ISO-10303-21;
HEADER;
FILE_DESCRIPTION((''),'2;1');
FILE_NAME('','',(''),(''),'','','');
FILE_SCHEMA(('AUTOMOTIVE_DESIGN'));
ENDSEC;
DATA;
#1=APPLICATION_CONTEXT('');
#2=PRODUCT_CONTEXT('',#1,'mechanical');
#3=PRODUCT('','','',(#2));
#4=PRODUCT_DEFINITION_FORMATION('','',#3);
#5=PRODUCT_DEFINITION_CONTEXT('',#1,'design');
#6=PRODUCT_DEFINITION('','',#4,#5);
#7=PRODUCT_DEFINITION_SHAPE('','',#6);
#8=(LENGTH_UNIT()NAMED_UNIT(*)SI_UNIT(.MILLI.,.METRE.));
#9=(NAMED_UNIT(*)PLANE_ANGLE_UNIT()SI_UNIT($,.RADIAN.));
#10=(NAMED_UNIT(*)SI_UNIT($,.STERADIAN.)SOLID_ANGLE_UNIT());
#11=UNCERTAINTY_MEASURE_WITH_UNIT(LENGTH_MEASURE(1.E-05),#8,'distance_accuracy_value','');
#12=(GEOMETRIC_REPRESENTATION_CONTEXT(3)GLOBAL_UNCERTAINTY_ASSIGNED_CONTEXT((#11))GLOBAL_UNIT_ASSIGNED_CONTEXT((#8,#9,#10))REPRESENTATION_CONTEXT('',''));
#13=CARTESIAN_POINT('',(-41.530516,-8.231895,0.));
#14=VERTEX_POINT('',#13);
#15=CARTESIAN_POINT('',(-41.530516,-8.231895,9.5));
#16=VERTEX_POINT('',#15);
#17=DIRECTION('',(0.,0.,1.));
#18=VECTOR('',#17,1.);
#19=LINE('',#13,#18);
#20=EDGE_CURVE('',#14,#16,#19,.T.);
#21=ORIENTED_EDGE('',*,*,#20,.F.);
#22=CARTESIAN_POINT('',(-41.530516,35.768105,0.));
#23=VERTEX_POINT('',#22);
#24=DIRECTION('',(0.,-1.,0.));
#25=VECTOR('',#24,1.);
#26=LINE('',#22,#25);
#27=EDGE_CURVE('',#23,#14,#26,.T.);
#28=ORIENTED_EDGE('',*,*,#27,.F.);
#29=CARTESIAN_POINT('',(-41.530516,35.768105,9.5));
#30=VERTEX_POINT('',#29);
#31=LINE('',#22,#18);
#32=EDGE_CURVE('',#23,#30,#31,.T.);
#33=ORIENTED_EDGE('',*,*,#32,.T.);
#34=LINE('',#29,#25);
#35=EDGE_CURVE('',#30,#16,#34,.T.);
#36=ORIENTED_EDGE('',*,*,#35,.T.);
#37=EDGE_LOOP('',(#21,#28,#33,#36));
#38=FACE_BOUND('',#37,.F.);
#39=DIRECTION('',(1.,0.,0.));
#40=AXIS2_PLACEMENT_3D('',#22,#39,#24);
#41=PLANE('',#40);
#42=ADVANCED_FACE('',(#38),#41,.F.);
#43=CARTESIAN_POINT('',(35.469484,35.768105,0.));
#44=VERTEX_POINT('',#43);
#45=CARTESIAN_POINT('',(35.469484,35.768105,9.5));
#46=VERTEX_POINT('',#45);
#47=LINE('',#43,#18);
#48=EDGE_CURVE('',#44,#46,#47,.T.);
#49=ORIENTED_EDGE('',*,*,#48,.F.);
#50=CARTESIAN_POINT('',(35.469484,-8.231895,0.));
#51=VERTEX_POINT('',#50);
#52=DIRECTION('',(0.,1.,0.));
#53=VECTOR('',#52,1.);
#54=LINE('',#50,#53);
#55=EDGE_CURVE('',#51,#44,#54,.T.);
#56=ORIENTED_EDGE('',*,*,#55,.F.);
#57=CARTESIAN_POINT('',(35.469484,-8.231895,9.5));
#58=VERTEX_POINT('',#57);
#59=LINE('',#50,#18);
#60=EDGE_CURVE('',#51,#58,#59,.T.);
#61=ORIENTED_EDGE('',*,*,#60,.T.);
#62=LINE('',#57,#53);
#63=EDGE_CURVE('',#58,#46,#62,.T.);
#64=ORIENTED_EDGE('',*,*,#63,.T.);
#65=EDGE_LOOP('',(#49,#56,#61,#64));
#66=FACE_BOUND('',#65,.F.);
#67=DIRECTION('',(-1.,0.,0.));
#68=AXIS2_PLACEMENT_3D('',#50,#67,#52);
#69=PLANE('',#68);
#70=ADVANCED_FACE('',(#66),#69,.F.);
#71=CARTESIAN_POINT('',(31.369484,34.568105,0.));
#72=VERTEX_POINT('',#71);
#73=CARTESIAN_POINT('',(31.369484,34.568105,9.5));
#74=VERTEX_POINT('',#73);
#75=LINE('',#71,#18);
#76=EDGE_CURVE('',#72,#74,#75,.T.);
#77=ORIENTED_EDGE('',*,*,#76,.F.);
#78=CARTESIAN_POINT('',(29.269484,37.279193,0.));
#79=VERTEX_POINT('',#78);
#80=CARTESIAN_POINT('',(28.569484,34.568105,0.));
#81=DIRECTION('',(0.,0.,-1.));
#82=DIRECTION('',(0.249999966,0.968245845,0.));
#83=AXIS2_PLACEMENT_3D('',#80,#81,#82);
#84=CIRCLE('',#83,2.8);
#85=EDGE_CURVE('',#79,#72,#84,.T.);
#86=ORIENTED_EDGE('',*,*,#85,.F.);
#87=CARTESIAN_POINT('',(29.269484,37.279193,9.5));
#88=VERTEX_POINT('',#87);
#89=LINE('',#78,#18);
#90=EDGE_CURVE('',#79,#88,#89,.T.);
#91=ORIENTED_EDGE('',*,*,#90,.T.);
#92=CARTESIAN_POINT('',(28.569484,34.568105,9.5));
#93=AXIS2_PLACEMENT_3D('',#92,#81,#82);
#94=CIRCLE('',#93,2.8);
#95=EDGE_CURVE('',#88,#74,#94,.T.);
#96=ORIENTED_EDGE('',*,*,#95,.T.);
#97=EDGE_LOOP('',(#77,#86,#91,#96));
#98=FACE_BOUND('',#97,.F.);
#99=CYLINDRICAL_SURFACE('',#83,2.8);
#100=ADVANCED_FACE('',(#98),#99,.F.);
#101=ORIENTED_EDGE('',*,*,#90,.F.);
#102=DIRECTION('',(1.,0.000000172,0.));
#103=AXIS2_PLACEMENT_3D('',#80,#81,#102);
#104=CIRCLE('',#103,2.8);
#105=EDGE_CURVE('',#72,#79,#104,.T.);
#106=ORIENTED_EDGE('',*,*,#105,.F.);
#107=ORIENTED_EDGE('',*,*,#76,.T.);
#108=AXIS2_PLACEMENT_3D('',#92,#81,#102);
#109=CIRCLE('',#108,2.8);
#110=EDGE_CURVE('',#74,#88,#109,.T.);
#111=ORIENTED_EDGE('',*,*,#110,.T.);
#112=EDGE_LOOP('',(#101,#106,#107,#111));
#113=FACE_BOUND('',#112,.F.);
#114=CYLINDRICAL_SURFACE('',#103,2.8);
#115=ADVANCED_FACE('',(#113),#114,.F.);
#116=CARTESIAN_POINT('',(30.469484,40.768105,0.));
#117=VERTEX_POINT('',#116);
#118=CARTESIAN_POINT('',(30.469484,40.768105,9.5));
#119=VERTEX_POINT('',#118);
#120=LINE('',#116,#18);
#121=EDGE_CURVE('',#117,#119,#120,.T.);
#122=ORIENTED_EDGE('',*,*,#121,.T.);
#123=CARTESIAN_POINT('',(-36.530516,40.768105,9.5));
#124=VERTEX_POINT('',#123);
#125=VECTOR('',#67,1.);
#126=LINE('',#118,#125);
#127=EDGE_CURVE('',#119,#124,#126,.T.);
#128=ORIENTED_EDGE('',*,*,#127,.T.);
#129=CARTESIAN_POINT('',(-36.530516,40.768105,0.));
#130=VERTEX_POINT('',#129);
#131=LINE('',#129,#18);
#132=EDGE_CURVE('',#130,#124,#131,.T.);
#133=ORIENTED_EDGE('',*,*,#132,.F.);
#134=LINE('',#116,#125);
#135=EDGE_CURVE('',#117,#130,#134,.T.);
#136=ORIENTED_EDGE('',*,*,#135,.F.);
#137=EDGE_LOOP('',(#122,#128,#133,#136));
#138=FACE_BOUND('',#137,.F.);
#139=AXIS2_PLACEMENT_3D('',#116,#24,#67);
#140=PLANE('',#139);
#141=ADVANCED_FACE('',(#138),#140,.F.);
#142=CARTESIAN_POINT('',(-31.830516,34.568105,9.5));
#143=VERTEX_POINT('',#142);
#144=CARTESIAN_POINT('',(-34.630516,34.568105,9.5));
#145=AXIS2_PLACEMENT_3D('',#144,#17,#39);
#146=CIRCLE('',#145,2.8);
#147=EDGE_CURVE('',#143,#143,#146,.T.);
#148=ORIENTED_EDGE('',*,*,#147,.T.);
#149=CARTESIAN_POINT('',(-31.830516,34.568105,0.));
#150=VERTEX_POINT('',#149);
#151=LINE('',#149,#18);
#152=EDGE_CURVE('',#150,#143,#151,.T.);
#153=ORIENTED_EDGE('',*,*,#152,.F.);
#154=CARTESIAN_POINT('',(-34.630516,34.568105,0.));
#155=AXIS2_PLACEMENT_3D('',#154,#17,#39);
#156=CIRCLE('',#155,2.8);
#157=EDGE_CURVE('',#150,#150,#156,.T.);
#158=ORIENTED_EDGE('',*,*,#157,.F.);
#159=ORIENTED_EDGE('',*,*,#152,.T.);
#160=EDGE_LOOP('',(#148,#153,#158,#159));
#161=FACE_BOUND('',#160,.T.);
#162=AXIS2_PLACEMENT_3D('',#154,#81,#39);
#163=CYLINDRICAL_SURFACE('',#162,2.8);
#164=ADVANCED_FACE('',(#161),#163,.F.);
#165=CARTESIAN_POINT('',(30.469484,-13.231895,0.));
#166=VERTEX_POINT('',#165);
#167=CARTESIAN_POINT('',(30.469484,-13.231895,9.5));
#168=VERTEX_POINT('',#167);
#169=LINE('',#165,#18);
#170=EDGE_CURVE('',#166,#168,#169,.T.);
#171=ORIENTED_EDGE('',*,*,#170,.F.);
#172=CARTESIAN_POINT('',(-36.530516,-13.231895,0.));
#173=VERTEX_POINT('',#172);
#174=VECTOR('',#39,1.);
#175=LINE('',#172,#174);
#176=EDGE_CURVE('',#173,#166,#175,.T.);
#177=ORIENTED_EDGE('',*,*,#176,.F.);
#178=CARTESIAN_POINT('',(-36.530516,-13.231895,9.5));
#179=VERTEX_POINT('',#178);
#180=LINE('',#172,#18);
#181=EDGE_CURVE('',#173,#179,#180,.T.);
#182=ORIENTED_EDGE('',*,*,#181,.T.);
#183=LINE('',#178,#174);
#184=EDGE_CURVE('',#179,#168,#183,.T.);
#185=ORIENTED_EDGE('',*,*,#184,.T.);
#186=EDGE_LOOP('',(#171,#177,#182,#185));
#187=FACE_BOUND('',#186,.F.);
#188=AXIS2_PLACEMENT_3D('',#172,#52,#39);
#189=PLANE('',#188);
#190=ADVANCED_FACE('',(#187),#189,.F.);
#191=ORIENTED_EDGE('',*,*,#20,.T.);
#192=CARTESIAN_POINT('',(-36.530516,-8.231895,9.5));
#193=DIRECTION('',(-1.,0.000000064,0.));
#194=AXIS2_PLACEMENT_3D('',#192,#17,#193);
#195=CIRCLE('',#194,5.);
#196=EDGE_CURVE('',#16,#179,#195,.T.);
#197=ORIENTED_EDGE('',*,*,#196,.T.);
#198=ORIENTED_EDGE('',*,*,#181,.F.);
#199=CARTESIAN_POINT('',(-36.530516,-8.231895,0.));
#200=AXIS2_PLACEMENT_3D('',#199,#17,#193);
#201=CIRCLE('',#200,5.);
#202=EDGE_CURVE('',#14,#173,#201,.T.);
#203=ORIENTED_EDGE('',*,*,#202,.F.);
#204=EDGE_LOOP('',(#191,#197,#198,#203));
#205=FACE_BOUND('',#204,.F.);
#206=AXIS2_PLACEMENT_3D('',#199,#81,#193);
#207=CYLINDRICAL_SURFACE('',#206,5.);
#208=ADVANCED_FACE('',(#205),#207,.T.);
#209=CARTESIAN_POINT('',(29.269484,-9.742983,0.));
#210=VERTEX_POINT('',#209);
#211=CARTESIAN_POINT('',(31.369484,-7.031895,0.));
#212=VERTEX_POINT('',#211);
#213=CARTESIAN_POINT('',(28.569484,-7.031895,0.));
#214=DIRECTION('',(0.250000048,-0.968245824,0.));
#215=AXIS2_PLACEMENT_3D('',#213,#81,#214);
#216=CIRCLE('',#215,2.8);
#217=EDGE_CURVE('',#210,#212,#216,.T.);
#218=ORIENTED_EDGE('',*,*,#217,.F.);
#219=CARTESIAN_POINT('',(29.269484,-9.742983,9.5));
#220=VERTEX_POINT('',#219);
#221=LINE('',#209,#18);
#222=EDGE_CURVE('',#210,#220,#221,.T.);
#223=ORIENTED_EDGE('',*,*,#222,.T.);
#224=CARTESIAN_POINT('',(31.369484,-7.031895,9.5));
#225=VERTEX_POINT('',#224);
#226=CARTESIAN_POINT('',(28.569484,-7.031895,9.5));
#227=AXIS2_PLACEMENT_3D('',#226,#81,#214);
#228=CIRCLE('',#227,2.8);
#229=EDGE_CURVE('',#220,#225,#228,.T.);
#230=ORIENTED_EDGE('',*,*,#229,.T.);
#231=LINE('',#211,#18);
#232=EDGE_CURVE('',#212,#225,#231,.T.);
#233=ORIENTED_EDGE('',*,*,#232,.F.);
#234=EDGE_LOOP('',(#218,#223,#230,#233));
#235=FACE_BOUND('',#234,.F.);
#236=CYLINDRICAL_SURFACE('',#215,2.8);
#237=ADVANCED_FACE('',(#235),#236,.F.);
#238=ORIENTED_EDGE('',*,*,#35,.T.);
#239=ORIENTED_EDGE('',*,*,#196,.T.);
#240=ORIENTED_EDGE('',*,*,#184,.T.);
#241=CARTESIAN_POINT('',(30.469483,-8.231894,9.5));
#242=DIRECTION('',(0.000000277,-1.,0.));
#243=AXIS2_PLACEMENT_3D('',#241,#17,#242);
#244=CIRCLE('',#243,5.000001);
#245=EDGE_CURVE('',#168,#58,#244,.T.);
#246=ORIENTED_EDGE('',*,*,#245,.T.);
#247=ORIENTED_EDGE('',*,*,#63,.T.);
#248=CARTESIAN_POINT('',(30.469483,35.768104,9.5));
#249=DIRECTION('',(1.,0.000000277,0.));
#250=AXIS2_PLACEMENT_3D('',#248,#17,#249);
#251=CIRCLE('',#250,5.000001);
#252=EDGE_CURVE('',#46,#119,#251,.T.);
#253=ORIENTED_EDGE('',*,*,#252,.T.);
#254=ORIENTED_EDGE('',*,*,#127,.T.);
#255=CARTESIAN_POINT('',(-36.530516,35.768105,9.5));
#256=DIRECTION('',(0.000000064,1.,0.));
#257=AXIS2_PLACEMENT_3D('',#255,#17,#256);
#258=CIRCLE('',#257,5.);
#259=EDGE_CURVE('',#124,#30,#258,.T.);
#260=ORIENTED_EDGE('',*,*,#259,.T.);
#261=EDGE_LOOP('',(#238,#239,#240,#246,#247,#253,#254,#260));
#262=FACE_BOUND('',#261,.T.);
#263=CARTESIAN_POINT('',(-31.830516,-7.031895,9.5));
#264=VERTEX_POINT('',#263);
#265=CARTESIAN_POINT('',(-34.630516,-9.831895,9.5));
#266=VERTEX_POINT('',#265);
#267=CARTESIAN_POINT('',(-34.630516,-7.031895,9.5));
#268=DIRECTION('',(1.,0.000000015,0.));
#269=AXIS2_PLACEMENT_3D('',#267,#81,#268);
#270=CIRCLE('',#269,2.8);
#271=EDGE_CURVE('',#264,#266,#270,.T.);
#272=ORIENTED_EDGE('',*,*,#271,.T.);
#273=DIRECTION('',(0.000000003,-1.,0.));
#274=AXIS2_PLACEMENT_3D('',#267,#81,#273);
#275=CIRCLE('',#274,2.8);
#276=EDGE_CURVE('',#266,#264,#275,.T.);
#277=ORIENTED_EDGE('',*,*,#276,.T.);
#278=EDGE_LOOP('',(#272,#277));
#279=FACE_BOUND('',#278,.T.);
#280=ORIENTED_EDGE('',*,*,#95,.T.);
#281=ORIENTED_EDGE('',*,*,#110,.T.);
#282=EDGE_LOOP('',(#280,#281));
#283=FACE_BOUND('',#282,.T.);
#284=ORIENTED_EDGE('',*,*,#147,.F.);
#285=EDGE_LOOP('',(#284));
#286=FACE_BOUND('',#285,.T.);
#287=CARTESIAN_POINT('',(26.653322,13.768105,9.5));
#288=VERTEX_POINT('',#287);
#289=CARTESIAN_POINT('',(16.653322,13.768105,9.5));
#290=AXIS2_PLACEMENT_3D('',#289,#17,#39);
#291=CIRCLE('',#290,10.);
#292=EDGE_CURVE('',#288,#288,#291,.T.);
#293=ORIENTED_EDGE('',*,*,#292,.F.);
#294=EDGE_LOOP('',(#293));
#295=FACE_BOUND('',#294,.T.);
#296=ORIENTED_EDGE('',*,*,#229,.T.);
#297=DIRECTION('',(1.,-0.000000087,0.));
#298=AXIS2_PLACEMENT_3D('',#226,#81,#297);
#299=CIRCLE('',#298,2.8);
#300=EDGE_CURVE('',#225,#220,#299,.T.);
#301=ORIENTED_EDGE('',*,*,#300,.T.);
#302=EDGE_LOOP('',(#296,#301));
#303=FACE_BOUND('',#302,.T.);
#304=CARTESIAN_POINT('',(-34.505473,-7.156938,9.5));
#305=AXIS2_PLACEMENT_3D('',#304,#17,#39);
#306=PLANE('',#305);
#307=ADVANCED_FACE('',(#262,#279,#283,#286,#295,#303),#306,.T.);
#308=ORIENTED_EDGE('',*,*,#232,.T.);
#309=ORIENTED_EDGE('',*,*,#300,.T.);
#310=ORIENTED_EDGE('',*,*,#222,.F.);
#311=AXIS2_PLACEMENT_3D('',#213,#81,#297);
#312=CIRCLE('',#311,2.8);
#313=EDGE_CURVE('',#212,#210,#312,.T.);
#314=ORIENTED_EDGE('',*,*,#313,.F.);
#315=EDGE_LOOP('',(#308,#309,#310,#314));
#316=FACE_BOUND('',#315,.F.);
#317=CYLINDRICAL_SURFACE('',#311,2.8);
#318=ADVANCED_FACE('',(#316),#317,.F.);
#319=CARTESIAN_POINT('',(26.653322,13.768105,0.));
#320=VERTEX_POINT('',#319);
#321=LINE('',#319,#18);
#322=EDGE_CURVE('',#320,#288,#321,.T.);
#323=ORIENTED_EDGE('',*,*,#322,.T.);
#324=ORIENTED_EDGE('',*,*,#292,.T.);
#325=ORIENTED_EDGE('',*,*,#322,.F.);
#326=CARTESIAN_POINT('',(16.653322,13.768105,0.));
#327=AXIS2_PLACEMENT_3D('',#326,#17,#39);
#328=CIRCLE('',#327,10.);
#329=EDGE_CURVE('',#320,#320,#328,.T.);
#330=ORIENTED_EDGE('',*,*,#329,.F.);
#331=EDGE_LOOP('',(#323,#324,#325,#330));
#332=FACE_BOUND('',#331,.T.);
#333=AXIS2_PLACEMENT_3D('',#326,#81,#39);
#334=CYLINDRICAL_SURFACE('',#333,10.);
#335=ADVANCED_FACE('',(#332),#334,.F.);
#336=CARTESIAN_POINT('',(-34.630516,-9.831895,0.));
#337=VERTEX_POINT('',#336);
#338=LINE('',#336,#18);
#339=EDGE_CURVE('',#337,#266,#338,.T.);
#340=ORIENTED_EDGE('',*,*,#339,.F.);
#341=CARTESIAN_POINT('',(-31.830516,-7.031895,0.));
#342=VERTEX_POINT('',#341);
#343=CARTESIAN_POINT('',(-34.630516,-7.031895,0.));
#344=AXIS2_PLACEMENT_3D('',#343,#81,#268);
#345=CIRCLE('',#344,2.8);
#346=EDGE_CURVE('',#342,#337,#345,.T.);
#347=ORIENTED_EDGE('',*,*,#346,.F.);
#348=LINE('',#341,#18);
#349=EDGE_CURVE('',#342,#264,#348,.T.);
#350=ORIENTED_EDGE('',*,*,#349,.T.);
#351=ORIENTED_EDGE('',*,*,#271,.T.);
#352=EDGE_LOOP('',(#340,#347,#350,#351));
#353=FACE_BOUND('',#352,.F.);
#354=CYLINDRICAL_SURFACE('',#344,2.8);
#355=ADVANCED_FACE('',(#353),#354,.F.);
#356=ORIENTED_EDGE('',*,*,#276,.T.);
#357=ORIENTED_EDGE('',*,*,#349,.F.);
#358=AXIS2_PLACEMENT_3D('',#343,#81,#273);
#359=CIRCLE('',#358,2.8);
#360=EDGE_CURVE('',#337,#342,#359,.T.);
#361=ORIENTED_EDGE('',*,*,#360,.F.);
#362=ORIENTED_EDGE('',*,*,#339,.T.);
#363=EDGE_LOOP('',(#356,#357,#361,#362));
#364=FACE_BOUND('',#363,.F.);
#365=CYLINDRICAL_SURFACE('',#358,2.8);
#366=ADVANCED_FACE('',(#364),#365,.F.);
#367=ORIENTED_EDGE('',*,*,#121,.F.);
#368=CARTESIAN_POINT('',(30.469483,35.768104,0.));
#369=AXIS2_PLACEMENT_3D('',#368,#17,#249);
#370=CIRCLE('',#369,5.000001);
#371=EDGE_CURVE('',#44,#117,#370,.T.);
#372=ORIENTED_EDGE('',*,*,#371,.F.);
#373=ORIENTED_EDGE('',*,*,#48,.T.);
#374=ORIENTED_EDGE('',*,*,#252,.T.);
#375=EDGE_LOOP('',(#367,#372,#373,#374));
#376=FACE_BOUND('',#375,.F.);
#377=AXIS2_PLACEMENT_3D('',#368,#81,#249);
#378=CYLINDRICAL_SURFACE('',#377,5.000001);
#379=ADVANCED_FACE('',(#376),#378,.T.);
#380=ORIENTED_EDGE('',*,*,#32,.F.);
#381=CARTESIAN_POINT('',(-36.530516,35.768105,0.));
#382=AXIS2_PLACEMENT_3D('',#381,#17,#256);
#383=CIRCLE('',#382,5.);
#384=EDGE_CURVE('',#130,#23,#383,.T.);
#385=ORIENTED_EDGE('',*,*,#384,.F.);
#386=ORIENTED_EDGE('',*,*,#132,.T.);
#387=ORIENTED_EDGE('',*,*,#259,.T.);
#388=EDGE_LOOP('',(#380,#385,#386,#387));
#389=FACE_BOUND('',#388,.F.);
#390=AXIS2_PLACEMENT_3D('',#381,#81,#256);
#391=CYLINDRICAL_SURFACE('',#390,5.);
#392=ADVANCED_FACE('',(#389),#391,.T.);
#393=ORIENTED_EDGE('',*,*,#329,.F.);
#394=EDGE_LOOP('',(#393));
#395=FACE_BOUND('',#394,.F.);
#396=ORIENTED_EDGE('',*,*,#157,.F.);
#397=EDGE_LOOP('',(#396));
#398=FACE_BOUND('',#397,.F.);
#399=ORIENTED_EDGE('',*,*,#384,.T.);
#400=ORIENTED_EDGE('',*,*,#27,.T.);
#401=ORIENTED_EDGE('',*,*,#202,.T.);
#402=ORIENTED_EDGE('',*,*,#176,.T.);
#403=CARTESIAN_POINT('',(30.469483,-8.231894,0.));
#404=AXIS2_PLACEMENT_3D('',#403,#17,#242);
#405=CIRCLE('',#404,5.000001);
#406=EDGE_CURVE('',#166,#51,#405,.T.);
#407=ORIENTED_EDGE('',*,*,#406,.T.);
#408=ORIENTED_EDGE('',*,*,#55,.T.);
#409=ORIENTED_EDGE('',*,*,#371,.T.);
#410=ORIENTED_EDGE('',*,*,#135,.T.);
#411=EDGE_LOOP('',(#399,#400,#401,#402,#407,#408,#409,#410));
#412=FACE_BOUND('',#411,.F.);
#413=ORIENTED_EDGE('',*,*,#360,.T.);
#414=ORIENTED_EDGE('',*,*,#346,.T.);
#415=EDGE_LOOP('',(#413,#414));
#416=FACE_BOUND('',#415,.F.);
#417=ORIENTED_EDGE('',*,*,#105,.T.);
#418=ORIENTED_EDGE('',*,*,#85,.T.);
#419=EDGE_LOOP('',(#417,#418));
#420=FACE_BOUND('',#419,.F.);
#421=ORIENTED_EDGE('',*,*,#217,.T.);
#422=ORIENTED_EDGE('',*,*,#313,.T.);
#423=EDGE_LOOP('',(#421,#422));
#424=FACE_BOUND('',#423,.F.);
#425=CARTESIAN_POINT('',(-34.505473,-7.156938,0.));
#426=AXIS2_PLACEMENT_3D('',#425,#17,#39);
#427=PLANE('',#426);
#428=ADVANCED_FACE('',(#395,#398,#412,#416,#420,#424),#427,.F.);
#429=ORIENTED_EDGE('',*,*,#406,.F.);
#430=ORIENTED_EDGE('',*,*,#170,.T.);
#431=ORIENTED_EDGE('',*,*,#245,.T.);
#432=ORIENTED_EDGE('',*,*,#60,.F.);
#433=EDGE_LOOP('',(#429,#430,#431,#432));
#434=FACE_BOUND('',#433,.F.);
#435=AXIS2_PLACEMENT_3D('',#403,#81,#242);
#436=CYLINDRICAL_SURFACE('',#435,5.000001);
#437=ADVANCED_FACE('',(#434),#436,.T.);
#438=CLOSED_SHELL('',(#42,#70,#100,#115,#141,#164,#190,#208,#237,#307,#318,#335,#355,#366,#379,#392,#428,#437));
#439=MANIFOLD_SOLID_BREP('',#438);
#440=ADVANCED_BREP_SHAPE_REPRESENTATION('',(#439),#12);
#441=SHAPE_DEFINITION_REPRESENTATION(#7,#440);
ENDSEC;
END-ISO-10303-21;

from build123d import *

# Parameters (mm, degrees)
F0_R     = 2.8
F0_R_2   = 10
F1_DEPTH = 9.5


with BuildPart() as f1:
    # F0 (on Top) → F1 (new body)
    with BuildSketch(Plane.XY):
        with BuildLine():
            ThreePointArc((-31.830516, -7.031895), (-36.610415, -5.051996), (-34.630516, -9.831895))
            ThreePointArc((-34.630516, -9.831895), (-32.650617, -9.011794), (-31.830516, -7.031895))
        make_face()
        with BuildLine():
            ThreePointArc((31.369484, -7.031895), (26.355889, -5.317252), (29.269484, -9.742983))
            ThreePointArc((29.269484, -9.742983), (30.783078, -8.746538), (31.369484, -7.031895))
        make_face()
        with BuildLine():
            ThreePointArc((31.369484, 34.568105), (30.783078, 36.282748), (29.269484, 37.279193))
            ThreePointArc((29.269484, 37.279193), (26.355889, 32.853462), (31.369484, 34.568105))
        make_face()
        with BuildLine():
            Line((29.269484, 40.768105), (-36.530516, 40.768105))
            ThreePointArc((-36.530516, 40.768105), (-40.06605, 39.303639), (-41.530516, 35.768105))
            Line((-41.530516, 35.768105), (-41.530516, -8.231895))
            ThreePointArc((-41.530516, -8.231895), (-40.06605, -11.767429), (-36.530516, -13.231895))
            Line((-36.530516, -13.231895), (-34.630516, -13.231895))
            Line((-34.630516, -13.231895), (29.269484, -13.231895))
            Line((29.269484, -13.231895), (30.469484, -13.231895))
            ThreePointArc((30.469484, -13.231895), (34.005017, -11.767429), (35.469484, -8.231895))
            Line((35.469484, -8.231895), (35.469484, 35.768105))
            ThreePointArc((35.469484, 35.768105), (34.005017, 39.303639), (30.469484, 40.768105))
            Line((30.469484, 40.768105), (29.269484, 40.768105))
        make_face()
        with BuildLine():
            ThreePointArc((-31.830516, -7.031895), (-32.650617, -9.011794), (-34.630516, -9.831895))
            ThreePointArc((-34.630516, -9.831895), (-36.610415, -5.051996), (-31.830516, -7.031895))
        make_face(mode=Mode.SUBTRACT)
        with BuildLine():
            ThreePointArc((31.369484, -7.031895), (30.783078, -8.746538), (29.269484, -9.742983))
            ThreePointArc((29.269484, -9.742983), (26.355889, -5.317252), (31.369484, -7.031895))
        make_face(mode=Mode.SUBTRACT)
        with Locations((-34.630516, 34.568105)):
            Circle(F0_R, mode=Mode.SUBTRACT)
        with Locations((16.653322, 13.768105)):
            Circle(F0_R_2, mode=Mode.SUBTRACT)
        with BuildLine():
            ThreePointArc((31.369484, 34.568105), (26.355889, 32.853462), (29.269484, 37.279193))
            ThreePointArc((29.269484, 37.279193), (30.783078, 36.282748), (31.369484, 34.568105))
        make_face(mode=Mode.SUBTRACT)
    extrude(amount=F1_DEPTH)


solid = f1.part
